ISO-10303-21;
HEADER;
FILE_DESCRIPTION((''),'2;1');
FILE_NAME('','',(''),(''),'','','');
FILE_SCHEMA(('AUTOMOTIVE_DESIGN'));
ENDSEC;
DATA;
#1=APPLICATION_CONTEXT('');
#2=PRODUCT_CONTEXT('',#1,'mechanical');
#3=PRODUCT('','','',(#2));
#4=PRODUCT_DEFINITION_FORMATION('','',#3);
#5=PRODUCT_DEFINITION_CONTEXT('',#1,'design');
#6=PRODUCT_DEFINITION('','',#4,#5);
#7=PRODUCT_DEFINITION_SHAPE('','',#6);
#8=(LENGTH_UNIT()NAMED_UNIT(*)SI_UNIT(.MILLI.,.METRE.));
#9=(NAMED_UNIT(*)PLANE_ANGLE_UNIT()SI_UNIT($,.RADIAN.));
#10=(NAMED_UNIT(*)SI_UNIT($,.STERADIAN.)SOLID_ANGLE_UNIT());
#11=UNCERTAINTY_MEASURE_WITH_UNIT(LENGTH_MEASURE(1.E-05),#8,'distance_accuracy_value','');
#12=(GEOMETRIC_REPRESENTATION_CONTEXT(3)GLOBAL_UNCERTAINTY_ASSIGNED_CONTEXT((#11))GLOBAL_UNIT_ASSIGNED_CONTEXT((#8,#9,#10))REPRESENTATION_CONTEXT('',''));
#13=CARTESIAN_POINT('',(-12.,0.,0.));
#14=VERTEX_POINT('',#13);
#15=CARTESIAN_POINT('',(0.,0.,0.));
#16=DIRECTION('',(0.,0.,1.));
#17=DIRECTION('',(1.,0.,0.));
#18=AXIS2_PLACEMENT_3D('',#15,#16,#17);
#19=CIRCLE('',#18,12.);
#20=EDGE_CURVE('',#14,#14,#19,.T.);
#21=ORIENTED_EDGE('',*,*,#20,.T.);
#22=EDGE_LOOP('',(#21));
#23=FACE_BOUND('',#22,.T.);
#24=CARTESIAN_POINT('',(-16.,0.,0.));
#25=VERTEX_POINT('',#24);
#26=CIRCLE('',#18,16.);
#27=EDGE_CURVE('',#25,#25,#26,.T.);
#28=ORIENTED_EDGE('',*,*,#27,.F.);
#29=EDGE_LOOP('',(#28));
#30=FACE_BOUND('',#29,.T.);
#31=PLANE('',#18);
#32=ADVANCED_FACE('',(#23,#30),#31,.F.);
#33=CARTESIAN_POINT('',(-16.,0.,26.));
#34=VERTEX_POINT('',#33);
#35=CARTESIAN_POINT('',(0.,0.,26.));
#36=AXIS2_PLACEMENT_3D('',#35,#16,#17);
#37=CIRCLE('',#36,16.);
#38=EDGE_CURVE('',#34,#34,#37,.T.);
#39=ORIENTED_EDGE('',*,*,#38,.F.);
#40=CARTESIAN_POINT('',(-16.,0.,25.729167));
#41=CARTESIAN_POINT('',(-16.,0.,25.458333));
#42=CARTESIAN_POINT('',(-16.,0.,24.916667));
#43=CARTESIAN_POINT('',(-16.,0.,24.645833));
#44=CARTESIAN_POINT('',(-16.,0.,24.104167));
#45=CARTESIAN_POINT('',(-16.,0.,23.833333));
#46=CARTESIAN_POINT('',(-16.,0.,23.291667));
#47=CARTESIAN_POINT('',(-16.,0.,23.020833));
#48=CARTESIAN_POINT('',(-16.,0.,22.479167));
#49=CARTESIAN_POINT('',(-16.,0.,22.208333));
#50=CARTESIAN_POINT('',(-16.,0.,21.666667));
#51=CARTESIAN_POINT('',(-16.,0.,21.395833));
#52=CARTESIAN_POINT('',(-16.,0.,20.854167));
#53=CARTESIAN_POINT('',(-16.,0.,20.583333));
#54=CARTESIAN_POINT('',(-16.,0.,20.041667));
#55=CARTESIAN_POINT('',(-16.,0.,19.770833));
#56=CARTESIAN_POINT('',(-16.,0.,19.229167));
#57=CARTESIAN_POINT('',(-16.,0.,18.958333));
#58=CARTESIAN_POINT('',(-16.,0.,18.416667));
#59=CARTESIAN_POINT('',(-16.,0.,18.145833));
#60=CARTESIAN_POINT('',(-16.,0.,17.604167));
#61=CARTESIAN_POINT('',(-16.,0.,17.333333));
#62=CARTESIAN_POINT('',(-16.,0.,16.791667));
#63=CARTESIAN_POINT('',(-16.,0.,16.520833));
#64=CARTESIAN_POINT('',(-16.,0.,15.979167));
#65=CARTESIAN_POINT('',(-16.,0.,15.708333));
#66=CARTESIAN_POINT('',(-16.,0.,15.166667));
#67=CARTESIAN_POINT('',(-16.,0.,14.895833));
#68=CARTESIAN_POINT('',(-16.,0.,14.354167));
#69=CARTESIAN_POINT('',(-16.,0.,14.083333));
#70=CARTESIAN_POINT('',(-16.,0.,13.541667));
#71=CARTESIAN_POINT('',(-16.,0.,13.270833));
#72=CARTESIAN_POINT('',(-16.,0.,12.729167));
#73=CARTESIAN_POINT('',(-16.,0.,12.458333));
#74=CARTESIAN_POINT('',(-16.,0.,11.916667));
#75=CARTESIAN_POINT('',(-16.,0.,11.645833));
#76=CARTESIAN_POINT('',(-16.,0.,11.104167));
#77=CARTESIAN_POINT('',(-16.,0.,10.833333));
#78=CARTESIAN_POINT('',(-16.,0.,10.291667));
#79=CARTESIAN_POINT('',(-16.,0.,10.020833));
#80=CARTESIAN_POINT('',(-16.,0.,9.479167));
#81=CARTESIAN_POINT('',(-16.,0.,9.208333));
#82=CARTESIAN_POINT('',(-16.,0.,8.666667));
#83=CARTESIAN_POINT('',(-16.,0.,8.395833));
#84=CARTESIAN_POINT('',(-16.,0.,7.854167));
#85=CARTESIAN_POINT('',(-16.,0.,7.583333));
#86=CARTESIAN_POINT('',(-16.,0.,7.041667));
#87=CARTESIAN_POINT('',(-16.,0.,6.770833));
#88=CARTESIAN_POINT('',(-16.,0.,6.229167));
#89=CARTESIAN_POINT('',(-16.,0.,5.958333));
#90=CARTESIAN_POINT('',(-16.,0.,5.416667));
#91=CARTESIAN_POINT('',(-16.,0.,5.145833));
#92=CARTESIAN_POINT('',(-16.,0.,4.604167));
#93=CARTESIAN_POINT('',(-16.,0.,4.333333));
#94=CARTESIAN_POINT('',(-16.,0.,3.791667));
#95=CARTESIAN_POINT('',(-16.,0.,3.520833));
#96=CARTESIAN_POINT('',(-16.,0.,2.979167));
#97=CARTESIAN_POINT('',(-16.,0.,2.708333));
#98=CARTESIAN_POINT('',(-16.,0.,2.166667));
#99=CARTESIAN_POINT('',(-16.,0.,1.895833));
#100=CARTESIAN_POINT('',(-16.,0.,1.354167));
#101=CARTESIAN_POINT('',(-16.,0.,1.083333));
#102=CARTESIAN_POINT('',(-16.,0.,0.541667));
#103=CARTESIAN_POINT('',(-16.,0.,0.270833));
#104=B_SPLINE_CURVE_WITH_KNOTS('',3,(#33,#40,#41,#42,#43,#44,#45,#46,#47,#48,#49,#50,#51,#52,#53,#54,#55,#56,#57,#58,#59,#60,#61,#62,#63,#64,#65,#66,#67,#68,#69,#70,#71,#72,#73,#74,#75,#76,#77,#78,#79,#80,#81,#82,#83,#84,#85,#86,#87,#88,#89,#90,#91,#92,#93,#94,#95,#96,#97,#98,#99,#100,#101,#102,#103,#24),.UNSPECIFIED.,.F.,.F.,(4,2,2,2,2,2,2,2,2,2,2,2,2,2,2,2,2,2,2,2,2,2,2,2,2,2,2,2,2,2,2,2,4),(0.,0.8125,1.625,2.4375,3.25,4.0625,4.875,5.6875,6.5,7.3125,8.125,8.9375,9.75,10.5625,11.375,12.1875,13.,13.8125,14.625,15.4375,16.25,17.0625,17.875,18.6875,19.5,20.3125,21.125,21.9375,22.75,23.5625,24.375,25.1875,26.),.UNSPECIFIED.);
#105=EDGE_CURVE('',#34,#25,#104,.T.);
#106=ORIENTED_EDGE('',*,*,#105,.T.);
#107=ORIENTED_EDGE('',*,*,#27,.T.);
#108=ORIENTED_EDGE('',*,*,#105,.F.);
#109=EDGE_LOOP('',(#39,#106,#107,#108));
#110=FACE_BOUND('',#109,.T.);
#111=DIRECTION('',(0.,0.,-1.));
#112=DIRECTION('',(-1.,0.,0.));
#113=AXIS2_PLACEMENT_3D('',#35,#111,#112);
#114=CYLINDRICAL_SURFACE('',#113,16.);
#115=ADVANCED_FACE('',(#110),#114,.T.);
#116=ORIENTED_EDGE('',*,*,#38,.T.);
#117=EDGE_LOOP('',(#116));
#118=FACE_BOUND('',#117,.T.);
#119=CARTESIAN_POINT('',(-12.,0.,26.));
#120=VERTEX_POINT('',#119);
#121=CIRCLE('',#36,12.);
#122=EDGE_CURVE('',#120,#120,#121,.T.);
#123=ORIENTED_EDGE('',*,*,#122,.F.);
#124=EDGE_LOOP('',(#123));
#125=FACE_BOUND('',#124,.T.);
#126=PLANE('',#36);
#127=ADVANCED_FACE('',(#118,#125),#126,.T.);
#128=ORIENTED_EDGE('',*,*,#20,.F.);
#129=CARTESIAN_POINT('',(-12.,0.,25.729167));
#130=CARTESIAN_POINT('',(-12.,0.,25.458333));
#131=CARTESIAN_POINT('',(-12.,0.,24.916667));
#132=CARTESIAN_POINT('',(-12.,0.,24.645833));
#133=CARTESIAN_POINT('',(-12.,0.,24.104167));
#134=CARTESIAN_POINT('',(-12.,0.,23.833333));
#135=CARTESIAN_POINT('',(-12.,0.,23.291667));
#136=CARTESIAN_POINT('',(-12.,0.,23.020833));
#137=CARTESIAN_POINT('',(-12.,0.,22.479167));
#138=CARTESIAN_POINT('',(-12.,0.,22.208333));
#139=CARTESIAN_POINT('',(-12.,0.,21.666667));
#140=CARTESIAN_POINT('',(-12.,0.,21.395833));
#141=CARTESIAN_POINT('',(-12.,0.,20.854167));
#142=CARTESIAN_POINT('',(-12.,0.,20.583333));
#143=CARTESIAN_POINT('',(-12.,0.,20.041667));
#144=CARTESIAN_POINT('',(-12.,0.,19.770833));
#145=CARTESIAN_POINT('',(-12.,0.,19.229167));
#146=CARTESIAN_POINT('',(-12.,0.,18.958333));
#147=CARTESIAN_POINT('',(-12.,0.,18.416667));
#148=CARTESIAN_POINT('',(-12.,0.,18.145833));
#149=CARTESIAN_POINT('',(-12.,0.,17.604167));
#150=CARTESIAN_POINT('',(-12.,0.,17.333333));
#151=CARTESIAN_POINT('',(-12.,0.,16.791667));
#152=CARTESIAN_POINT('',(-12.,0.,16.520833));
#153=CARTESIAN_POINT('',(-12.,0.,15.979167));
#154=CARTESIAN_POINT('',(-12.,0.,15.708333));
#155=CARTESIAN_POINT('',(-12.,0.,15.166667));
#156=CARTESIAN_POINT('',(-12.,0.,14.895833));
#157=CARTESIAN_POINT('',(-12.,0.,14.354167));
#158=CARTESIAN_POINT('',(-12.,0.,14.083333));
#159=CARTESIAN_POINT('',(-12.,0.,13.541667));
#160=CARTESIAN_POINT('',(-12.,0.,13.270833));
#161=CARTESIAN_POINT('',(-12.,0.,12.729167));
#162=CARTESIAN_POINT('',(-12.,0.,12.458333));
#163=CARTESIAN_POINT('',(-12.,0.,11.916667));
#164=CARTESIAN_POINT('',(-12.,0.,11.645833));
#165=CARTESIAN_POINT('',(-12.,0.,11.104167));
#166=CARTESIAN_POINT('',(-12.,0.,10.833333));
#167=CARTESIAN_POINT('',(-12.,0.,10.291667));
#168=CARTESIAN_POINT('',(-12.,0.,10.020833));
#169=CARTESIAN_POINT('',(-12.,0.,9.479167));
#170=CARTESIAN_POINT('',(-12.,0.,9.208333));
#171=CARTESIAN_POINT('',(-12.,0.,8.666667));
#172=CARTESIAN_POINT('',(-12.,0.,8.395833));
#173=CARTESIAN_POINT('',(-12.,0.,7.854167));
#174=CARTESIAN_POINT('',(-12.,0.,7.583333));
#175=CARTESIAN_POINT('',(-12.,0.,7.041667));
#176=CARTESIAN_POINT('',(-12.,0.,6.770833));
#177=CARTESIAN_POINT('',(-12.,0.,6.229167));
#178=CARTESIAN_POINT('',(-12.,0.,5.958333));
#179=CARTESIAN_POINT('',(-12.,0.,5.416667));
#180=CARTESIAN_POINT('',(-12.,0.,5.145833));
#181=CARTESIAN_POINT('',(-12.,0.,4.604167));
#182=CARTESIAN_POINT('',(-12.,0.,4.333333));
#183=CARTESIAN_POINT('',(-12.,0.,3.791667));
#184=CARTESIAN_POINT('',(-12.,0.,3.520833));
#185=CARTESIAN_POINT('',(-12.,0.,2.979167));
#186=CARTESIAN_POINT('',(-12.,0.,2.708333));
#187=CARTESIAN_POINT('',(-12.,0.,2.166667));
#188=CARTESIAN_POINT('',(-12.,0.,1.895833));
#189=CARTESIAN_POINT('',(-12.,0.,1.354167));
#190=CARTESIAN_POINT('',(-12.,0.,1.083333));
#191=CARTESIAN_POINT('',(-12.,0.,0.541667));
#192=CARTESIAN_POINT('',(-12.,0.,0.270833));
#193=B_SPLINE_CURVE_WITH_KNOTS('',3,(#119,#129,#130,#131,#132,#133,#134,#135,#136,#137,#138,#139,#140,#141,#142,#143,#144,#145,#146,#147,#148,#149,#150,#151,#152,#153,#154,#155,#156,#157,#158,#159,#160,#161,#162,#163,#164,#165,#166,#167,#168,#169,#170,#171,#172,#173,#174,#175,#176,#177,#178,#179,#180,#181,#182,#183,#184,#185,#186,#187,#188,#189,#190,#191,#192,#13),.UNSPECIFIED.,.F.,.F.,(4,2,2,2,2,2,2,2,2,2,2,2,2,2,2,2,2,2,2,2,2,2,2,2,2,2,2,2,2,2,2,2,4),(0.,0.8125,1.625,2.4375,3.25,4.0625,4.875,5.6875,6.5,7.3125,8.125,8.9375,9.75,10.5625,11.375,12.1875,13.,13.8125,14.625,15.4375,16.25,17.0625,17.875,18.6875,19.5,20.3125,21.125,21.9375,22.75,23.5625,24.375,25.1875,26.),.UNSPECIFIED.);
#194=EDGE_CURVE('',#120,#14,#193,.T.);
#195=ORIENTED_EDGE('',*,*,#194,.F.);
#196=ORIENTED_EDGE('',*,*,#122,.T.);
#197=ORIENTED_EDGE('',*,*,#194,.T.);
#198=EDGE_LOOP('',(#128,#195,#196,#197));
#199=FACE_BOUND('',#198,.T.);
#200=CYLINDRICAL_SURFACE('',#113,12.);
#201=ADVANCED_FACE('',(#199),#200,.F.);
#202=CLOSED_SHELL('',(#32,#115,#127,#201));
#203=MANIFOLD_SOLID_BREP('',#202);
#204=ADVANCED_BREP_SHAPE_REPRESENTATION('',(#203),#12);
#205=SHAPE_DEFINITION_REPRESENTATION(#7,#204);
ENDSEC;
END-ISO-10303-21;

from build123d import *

# Parameters (mm, degrees)
SKETCH_1_R      = 16
SKETCH_1_R_2    = 12
EXTRUDE_1_DEPTH = 26


with BuildPart() as part:
    # Эскиз1 → Бобышка-Вытянуть1 (new body)
    with BuildSketch(Plane.XY):
        with Locations(Location((0, 0, 0), (0, 0, 180))):
            Circle(SKETCH_1_R)
        with Locations(Location((0, 0, 0), (0, 0, 180))):
            Circle(SKETCH_1_R_2, mode=Mode.SUBTRACT)
    extrude(amount=EXTRUDE_1_DEPTH)


solid = part.part
